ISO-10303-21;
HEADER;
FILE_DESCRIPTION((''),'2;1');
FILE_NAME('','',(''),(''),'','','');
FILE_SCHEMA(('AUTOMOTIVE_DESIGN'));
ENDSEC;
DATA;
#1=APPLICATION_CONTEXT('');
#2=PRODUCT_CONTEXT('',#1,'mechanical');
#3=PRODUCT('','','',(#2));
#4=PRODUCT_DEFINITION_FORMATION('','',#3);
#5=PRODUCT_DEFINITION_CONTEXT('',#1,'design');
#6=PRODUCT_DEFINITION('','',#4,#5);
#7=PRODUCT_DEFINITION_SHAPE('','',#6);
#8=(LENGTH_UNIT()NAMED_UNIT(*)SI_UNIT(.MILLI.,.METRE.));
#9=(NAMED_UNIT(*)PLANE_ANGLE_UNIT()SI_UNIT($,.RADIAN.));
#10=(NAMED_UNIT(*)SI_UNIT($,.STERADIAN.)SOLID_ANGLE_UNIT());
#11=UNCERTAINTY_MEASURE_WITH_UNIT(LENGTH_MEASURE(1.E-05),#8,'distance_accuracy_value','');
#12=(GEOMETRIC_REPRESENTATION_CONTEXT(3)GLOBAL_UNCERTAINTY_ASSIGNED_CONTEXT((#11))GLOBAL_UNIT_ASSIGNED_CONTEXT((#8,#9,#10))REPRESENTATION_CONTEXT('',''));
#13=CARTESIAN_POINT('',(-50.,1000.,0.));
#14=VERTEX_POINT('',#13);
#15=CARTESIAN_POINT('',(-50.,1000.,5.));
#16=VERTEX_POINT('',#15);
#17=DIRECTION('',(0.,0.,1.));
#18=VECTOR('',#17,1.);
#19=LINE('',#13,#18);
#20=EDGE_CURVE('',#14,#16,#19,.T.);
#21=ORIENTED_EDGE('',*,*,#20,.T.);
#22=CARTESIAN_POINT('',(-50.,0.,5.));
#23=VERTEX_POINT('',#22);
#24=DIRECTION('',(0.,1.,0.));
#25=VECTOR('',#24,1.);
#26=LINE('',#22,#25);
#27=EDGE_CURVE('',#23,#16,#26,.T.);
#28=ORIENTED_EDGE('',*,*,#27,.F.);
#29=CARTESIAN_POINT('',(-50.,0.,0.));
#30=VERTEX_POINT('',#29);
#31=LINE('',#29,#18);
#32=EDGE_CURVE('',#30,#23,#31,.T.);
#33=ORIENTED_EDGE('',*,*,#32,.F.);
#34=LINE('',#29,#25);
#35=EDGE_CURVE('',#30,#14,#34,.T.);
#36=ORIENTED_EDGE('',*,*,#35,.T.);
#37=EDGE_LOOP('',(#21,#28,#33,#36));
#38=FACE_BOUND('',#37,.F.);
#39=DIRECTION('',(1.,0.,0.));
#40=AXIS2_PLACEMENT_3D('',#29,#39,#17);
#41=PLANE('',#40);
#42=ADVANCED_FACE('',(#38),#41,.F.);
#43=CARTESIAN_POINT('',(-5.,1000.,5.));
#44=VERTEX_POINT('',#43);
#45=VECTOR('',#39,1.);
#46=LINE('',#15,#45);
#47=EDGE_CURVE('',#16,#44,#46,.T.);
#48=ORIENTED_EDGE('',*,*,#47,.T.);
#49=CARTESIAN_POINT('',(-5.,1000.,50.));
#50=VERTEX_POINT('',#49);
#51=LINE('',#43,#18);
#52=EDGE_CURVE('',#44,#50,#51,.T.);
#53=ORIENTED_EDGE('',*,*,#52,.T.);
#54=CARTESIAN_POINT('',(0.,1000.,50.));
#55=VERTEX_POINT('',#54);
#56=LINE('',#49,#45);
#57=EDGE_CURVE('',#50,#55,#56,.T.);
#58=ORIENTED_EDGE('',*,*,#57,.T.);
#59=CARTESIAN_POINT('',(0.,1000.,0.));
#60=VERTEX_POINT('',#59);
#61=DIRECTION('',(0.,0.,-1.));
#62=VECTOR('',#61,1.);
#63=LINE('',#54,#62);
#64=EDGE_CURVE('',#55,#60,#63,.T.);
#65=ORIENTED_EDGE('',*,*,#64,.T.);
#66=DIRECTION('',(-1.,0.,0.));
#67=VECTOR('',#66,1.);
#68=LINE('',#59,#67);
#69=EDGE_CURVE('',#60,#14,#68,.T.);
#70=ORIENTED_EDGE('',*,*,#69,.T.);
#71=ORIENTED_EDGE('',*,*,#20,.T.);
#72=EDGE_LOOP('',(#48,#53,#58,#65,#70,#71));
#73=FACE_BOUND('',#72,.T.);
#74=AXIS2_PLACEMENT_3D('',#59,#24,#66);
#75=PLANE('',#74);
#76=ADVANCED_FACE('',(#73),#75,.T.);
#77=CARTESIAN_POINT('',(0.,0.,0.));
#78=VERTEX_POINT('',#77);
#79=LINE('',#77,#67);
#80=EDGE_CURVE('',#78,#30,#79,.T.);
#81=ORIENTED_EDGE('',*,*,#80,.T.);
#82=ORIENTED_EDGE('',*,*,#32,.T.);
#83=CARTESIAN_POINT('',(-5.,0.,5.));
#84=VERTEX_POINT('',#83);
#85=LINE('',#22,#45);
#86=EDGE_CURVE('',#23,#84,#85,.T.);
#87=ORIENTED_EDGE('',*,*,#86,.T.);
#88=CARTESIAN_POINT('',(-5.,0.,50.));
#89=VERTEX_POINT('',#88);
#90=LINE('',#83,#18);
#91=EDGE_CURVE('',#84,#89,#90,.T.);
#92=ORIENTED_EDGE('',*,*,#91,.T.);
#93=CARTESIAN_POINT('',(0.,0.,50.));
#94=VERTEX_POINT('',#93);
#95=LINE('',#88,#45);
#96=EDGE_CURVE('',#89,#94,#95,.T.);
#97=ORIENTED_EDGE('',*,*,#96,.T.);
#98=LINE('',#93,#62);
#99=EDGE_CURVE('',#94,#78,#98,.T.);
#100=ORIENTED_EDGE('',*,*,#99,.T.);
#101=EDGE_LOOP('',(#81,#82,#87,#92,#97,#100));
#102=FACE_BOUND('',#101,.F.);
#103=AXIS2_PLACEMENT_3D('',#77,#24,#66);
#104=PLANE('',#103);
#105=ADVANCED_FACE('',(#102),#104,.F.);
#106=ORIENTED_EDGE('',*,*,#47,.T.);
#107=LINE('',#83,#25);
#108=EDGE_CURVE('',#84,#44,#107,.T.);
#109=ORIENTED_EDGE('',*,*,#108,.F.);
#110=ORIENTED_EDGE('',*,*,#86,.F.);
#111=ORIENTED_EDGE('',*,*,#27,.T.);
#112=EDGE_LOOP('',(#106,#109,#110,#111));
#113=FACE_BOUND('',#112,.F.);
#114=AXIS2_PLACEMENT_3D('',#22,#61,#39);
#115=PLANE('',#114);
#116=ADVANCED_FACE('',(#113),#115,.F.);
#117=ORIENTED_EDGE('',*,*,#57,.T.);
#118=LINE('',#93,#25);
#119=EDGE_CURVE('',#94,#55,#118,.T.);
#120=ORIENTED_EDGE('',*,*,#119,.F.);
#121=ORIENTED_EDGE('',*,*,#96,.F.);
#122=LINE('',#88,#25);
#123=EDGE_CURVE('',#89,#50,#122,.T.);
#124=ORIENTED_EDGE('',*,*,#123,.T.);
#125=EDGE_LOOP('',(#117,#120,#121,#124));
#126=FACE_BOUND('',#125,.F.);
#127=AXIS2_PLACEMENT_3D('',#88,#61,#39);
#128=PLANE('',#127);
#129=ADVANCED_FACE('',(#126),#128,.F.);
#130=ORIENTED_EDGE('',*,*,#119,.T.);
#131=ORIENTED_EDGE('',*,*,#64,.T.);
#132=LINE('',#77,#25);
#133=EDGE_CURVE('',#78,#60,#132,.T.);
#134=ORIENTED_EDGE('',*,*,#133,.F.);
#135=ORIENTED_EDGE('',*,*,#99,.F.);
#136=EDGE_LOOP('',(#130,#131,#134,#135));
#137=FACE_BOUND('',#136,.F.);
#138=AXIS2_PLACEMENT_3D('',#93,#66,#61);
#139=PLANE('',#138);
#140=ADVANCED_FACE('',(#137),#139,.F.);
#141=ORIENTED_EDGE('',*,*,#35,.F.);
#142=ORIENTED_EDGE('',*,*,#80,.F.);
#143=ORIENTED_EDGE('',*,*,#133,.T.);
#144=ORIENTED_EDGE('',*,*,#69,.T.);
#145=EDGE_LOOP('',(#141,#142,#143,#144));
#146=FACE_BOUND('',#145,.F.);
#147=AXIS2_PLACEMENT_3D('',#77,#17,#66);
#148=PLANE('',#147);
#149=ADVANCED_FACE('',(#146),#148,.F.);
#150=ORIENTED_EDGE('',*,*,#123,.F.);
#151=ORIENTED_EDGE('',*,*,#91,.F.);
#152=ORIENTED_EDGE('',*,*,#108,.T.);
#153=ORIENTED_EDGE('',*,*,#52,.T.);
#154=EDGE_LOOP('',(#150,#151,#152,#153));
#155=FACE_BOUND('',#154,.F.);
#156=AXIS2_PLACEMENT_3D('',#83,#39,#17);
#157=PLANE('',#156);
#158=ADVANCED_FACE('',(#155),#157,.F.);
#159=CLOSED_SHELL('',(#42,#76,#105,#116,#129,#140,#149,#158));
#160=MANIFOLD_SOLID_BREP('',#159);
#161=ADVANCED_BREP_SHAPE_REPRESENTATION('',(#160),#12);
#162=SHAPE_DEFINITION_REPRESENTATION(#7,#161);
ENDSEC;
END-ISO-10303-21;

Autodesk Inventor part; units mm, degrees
ref_plane "YZ Plane" through (0, 0, 0) normal (1, 0, 0) x (0, 1, 0)
ref_plane "XZ Plane" through (0, 0, 0) normal (0, 1, 0) x (-1, 0, 0)
ref_plane "XY Plane" through (0, 0, 0) normal (0, 0, 1) x (1, 0, 0)
sketch "Sketch1" plane through (0, 0, 0) normal (0, 1, 0) x (-1, 0, 0)
  line L0 (0, 50) -> (0, 0)
  line L1 (0, 0) -> (50, 0)
  line L2 (50, 0) -> (50, 5)
  line L3 (50, 5) -> (5, 5)
  line L4 (5, 5) -> (5, 50)
  line L5 (5, 50) -> (0, 50)
  dimension "d2" = 5
  dimension "d3" = 50
  dimension "d4" = 50
  dimension "d5" = 45
  dimension "d6" = 5
extrude "Extrusion1" add sketch "Sketch1" along normal blind 1000
properties part number "650Ugol"
